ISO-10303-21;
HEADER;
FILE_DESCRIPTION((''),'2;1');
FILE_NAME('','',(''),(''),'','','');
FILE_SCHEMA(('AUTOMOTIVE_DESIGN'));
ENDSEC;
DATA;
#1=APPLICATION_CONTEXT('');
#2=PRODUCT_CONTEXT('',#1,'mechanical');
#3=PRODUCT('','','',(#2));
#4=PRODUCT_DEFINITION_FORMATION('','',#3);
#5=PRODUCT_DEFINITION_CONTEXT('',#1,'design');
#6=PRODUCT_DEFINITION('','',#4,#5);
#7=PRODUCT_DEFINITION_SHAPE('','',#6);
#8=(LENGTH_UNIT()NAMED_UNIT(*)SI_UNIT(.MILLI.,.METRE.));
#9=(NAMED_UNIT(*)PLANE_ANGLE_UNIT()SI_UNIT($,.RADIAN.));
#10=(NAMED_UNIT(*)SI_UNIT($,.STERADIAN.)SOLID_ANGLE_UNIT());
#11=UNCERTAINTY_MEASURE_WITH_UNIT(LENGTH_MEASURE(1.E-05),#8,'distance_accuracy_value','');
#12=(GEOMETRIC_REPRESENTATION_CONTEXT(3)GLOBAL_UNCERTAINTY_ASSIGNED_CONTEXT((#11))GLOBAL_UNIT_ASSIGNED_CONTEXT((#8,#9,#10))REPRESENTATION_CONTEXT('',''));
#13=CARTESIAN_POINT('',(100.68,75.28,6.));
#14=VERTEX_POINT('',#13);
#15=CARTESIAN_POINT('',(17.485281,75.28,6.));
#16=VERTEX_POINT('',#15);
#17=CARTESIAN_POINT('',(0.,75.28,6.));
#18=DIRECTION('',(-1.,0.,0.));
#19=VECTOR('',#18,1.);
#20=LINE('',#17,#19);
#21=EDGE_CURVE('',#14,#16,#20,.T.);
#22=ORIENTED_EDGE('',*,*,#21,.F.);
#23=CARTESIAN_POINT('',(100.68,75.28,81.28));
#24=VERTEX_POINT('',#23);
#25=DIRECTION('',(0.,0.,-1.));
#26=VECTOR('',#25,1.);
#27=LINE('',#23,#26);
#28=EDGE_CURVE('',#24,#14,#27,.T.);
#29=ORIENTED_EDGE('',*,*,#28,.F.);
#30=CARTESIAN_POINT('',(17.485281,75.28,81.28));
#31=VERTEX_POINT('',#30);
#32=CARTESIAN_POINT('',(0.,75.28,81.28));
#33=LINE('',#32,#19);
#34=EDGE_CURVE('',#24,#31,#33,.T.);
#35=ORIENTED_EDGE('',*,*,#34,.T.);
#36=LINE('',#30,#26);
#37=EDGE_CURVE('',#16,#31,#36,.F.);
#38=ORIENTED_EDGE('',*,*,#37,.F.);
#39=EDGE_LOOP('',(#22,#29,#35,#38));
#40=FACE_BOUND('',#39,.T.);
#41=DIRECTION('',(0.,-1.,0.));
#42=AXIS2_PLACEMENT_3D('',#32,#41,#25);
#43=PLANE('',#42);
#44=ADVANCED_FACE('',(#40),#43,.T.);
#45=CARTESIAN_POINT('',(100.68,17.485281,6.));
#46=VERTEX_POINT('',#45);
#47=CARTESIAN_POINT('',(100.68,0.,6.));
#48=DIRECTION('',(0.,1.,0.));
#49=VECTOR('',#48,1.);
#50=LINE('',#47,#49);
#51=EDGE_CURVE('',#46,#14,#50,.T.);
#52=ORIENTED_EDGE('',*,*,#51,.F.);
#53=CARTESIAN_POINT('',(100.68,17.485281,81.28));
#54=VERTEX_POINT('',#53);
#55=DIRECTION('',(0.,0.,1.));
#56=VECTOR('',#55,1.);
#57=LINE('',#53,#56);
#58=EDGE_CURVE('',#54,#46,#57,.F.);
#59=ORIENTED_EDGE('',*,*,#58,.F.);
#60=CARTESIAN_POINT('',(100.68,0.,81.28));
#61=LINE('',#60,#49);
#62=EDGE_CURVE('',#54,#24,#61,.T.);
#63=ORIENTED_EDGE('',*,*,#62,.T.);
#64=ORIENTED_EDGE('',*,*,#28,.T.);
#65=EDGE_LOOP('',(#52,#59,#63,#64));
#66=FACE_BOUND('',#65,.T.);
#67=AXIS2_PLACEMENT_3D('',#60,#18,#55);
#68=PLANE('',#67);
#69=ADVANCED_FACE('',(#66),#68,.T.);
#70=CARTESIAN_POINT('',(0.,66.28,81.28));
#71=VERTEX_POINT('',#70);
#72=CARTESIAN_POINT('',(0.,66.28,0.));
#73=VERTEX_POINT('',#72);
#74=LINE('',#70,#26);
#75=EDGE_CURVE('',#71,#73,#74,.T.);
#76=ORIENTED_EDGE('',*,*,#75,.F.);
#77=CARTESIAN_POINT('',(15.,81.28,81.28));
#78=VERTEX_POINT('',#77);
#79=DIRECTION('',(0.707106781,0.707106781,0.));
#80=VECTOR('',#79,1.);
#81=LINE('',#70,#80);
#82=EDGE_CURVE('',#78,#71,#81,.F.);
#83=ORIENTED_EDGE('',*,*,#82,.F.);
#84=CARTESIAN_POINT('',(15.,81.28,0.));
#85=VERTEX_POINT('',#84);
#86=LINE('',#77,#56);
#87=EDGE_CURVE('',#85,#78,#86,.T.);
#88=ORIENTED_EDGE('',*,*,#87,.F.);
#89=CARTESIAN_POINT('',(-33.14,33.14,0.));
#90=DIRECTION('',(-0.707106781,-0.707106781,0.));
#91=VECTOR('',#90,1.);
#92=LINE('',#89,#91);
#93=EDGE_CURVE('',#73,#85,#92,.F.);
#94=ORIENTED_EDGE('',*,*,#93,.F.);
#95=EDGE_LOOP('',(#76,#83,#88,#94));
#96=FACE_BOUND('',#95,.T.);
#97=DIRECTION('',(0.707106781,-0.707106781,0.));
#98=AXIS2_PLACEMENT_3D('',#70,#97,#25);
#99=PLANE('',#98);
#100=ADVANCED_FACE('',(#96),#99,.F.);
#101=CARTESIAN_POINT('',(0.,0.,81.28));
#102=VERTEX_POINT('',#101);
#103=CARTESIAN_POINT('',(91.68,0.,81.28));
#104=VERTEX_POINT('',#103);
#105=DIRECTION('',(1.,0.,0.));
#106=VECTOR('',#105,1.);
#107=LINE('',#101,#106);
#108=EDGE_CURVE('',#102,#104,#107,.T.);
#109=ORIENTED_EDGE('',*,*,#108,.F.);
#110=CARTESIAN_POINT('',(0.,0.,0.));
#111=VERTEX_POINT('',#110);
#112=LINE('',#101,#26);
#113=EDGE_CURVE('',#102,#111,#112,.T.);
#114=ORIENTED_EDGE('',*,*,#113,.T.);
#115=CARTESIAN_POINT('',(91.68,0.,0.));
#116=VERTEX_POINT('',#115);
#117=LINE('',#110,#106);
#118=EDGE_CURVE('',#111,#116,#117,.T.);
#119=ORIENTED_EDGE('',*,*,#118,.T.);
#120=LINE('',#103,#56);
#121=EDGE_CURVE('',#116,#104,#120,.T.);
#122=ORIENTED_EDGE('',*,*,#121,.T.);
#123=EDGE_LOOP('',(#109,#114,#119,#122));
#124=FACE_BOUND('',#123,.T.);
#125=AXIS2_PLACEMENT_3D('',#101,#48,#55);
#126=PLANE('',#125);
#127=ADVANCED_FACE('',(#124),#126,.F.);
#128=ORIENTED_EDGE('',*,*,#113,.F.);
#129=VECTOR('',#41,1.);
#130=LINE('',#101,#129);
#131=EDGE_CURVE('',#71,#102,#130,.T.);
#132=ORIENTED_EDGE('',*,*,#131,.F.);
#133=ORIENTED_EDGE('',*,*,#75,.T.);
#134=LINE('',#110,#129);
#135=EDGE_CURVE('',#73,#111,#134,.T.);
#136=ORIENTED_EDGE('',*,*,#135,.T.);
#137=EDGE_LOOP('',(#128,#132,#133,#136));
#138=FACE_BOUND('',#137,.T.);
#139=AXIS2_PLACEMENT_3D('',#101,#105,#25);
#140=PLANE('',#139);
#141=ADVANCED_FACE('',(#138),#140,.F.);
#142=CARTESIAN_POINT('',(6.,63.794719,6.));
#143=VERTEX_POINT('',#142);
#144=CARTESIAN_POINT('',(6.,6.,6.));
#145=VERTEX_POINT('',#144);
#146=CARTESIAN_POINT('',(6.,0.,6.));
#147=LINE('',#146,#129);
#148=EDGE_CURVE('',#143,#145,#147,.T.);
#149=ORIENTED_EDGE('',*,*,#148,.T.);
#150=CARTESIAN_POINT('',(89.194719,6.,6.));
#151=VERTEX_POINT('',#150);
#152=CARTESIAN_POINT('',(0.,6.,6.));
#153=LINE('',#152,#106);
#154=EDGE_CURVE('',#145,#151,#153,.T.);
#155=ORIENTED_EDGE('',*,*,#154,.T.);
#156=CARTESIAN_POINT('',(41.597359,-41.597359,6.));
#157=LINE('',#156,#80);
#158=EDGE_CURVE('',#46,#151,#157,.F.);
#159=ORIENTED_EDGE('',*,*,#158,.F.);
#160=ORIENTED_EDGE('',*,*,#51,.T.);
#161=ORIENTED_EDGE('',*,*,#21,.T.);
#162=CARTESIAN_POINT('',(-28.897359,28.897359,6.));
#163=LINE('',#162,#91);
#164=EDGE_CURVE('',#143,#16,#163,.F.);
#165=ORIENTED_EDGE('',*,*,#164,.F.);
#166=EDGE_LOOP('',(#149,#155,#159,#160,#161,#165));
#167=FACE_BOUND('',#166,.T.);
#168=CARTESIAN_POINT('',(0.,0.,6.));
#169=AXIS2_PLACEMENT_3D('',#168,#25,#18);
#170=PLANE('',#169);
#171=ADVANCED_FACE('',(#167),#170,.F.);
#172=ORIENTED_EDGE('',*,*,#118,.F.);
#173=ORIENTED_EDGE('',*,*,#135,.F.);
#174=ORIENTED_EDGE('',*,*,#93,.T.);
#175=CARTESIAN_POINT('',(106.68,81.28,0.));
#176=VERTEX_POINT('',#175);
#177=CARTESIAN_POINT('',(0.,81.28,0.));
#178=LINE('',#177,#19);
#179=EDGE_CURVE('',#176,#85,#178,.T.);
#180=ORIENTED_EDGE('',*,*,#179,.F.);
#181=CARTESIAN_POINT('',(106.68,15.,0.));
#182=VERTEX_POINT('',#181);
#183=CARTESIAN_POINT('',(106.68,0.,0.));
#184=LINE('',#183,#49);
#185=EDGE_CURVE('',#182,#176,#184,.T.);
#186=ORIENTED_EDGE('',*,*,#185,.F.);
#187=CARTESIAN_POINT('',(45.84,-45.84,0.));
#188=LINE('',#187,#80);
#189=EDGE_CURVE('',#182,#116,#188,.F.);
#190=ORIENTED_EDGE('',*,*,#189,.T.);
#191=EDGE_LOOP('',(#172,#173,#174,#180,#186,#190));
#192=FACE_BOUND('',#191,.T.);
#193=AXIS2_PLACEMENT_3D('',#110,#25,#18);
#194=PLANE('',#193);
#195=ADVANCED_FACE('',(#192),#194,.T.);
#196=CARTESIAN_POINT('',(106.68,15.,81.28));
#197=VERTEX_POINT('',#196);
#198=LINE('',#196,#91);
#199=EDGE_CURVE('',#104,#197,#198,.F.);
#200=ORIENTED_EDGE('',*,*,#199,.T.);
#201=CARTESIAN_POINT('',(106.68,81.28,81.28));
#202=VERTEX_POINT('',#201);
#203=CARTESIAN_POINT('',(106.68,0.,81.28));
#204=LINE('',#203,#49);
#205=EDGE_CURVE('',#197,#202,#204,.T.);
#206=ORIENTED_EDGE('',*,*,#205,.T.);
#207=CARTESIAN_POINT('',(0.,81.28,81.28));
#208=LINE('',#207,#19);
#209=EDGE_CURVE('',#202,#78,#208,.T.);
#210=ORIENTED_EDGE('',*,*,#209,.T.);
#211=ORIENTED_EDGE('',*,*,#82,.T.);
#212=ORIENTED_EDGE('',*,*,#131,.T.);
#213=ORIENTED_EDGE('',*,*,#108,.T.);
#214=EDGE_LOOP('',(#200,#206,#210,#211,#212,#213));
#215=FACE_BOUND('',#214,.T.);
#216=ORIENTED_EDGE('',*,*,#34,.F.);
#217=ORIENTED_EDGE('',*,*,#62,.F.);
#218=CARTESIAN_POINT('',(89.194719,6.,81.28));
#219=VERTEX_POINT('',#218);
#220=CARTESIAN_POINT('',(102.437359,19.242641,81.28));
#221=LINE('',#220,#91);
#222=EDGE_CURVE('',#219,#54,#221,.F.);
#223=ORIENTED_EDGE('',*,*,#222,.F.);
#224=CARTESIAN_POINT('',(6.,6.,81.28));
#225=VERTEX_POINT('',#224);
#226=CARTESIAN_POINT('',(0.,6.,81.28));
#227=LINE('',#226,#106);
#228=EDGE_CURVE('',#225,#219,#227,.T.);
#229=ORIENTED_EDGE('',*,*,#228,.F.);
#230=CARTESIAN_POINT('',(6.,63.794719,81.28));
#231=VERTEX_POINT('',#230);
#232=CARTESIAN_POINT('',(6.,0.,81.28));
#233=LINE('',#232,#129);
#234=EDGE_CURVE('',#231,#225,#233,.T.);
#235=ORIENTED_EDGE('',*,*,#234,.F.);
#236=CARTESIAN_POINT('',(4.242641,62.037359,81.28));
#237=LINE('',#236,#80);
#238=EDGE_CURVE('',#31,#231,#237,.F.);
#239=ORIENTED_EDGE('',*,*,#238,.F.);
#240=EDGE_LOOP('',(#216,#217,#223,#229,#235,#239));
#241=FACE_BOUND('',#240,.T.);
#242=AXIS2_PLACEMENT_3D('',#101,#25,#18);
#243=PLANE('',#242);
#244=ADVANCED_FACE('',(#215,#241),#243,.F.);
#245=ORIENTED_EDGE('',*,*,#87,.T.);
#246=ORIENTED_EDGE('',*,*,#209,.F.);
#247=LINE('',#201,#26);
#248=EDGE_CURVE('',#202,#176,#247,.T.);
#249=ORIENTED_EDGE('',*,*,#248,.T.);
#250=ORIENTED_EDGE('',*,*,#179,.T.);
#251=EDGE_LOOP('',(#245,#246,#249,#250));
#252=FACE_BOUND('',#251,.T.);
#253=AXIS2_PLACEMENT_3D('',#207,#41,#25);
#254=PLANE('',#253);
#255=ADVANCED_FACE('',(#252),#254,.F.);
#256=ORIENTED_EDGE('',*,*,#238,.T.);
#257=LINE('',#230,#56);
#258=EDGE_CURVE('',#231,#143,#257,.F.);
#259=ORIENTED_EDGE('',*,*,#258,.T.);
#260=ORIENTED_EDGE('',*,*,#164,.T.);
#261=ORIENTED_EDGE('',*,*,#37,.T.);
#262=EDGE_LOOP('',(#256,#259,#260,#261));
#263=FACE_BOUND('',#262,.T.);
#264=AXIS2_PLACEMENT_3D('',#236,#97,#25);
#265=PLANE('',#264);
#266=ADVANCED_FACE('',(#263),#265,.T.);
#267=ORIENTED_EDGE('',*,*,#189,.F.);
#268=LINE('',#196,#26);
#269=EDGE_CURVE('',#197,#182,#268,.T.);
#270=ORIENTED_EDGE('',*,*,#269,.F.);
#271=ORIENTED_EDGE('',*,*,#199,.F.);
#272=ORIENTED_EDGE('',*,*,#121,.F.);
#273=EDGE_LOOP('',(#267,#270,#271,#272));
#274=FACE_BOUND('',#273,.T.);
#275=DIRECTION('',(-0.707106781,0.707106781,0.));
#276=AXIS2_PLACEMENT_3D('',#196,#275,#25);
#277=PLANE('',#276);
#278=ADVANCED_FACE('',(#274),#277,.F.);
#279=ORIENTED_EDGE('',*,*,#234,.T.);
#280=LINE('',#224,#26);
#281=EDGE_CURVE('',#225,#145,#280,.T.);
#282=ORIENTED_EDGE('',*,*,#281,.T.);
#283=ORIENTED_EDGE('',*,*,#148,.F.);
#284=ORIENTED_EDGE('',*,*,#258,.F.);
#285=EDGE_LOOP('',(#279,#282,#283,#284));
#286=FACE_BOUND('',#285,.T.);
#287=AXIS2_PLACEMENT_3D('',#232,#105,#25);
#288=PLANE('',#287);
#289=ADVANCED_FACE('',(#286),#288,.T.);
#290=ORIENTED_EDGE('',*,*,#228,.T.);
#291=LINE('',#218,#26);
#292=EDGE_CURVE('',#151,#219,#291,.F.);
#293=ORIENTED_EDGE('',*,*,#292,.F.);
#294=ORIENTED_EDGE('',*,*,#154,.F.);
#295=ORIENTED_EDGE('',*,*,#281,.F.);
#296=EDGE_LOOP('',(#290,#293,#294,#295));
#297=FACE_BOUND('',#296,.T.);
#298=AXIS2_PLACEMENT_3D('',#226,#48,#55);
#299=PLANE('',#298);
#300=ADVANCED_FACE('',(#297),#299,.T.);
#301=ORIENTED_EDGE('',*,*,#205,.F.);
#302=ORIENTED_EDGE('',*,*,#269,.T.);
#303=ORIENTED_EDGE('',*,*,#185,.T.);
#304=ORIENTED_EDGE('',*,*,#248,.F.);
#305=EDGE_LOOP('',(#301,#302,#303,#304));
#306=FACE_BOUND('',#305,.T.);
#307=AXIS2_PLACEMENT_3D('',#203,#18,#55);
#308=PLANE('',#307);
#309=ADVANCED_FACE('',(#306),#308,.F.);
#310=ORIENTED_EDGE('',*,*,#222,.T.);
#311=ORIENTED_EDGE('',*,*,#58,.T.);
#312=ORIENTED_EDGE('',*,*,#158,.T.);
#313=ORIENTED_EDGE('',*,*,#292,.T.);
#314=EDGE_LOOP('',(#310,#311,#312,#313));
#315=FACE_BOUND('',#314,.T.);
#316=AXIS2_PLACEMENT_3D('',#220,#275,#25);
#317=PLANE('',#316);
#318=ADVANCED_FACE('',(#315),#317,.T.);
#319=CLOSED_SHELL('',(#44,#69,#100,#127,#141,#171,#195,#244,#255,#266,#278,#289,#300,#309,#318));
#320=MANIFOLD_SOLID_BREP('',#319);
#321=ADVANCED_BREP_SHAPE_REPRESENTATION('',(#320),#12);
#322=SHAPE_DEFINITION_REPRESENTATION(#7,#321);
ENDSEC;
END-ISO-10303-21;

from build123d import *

# Parameters (mm, degrees)
SKETCH1_W           = 106.68
SKETCH1_H           = 81.28
BOSS_EXTRUDE1_DEPTH = 81.28
CHAMFER1_SIZE       = 15
SHELL2_T            = -6


with BuildPart() as part:
    # Sketch1 → Boss-Extrude1 (new body)
    with BuildSketch(Plane.XY):
        with Locations((53.34, 40.64)):
            Rectangle(SKETCH1_W, SKETCH1_H)
    extrude(amount=BOSS_EXTRUDE1_DEPTH)

    # Chamfer1
    chamfer1_edges = [part.edges().sort_by_distance(p)[0] for p in [
        (0, 81.28, 40.64),
        (106.68, 0, 40.64),
    ]]
    chamfer(chamfer1_edges, length=CHAMFER1_SIZE)

    # Shell2
    shell2_openings = [part.faces().sort_by_distance(p)[0] for p in [
        (53.34, 40.64, 81.28),
    ]]
    offset(amount=SHELL2_T, openings=shell2_openings, kind=Kind.INTERSECTION)


solid = part.part
